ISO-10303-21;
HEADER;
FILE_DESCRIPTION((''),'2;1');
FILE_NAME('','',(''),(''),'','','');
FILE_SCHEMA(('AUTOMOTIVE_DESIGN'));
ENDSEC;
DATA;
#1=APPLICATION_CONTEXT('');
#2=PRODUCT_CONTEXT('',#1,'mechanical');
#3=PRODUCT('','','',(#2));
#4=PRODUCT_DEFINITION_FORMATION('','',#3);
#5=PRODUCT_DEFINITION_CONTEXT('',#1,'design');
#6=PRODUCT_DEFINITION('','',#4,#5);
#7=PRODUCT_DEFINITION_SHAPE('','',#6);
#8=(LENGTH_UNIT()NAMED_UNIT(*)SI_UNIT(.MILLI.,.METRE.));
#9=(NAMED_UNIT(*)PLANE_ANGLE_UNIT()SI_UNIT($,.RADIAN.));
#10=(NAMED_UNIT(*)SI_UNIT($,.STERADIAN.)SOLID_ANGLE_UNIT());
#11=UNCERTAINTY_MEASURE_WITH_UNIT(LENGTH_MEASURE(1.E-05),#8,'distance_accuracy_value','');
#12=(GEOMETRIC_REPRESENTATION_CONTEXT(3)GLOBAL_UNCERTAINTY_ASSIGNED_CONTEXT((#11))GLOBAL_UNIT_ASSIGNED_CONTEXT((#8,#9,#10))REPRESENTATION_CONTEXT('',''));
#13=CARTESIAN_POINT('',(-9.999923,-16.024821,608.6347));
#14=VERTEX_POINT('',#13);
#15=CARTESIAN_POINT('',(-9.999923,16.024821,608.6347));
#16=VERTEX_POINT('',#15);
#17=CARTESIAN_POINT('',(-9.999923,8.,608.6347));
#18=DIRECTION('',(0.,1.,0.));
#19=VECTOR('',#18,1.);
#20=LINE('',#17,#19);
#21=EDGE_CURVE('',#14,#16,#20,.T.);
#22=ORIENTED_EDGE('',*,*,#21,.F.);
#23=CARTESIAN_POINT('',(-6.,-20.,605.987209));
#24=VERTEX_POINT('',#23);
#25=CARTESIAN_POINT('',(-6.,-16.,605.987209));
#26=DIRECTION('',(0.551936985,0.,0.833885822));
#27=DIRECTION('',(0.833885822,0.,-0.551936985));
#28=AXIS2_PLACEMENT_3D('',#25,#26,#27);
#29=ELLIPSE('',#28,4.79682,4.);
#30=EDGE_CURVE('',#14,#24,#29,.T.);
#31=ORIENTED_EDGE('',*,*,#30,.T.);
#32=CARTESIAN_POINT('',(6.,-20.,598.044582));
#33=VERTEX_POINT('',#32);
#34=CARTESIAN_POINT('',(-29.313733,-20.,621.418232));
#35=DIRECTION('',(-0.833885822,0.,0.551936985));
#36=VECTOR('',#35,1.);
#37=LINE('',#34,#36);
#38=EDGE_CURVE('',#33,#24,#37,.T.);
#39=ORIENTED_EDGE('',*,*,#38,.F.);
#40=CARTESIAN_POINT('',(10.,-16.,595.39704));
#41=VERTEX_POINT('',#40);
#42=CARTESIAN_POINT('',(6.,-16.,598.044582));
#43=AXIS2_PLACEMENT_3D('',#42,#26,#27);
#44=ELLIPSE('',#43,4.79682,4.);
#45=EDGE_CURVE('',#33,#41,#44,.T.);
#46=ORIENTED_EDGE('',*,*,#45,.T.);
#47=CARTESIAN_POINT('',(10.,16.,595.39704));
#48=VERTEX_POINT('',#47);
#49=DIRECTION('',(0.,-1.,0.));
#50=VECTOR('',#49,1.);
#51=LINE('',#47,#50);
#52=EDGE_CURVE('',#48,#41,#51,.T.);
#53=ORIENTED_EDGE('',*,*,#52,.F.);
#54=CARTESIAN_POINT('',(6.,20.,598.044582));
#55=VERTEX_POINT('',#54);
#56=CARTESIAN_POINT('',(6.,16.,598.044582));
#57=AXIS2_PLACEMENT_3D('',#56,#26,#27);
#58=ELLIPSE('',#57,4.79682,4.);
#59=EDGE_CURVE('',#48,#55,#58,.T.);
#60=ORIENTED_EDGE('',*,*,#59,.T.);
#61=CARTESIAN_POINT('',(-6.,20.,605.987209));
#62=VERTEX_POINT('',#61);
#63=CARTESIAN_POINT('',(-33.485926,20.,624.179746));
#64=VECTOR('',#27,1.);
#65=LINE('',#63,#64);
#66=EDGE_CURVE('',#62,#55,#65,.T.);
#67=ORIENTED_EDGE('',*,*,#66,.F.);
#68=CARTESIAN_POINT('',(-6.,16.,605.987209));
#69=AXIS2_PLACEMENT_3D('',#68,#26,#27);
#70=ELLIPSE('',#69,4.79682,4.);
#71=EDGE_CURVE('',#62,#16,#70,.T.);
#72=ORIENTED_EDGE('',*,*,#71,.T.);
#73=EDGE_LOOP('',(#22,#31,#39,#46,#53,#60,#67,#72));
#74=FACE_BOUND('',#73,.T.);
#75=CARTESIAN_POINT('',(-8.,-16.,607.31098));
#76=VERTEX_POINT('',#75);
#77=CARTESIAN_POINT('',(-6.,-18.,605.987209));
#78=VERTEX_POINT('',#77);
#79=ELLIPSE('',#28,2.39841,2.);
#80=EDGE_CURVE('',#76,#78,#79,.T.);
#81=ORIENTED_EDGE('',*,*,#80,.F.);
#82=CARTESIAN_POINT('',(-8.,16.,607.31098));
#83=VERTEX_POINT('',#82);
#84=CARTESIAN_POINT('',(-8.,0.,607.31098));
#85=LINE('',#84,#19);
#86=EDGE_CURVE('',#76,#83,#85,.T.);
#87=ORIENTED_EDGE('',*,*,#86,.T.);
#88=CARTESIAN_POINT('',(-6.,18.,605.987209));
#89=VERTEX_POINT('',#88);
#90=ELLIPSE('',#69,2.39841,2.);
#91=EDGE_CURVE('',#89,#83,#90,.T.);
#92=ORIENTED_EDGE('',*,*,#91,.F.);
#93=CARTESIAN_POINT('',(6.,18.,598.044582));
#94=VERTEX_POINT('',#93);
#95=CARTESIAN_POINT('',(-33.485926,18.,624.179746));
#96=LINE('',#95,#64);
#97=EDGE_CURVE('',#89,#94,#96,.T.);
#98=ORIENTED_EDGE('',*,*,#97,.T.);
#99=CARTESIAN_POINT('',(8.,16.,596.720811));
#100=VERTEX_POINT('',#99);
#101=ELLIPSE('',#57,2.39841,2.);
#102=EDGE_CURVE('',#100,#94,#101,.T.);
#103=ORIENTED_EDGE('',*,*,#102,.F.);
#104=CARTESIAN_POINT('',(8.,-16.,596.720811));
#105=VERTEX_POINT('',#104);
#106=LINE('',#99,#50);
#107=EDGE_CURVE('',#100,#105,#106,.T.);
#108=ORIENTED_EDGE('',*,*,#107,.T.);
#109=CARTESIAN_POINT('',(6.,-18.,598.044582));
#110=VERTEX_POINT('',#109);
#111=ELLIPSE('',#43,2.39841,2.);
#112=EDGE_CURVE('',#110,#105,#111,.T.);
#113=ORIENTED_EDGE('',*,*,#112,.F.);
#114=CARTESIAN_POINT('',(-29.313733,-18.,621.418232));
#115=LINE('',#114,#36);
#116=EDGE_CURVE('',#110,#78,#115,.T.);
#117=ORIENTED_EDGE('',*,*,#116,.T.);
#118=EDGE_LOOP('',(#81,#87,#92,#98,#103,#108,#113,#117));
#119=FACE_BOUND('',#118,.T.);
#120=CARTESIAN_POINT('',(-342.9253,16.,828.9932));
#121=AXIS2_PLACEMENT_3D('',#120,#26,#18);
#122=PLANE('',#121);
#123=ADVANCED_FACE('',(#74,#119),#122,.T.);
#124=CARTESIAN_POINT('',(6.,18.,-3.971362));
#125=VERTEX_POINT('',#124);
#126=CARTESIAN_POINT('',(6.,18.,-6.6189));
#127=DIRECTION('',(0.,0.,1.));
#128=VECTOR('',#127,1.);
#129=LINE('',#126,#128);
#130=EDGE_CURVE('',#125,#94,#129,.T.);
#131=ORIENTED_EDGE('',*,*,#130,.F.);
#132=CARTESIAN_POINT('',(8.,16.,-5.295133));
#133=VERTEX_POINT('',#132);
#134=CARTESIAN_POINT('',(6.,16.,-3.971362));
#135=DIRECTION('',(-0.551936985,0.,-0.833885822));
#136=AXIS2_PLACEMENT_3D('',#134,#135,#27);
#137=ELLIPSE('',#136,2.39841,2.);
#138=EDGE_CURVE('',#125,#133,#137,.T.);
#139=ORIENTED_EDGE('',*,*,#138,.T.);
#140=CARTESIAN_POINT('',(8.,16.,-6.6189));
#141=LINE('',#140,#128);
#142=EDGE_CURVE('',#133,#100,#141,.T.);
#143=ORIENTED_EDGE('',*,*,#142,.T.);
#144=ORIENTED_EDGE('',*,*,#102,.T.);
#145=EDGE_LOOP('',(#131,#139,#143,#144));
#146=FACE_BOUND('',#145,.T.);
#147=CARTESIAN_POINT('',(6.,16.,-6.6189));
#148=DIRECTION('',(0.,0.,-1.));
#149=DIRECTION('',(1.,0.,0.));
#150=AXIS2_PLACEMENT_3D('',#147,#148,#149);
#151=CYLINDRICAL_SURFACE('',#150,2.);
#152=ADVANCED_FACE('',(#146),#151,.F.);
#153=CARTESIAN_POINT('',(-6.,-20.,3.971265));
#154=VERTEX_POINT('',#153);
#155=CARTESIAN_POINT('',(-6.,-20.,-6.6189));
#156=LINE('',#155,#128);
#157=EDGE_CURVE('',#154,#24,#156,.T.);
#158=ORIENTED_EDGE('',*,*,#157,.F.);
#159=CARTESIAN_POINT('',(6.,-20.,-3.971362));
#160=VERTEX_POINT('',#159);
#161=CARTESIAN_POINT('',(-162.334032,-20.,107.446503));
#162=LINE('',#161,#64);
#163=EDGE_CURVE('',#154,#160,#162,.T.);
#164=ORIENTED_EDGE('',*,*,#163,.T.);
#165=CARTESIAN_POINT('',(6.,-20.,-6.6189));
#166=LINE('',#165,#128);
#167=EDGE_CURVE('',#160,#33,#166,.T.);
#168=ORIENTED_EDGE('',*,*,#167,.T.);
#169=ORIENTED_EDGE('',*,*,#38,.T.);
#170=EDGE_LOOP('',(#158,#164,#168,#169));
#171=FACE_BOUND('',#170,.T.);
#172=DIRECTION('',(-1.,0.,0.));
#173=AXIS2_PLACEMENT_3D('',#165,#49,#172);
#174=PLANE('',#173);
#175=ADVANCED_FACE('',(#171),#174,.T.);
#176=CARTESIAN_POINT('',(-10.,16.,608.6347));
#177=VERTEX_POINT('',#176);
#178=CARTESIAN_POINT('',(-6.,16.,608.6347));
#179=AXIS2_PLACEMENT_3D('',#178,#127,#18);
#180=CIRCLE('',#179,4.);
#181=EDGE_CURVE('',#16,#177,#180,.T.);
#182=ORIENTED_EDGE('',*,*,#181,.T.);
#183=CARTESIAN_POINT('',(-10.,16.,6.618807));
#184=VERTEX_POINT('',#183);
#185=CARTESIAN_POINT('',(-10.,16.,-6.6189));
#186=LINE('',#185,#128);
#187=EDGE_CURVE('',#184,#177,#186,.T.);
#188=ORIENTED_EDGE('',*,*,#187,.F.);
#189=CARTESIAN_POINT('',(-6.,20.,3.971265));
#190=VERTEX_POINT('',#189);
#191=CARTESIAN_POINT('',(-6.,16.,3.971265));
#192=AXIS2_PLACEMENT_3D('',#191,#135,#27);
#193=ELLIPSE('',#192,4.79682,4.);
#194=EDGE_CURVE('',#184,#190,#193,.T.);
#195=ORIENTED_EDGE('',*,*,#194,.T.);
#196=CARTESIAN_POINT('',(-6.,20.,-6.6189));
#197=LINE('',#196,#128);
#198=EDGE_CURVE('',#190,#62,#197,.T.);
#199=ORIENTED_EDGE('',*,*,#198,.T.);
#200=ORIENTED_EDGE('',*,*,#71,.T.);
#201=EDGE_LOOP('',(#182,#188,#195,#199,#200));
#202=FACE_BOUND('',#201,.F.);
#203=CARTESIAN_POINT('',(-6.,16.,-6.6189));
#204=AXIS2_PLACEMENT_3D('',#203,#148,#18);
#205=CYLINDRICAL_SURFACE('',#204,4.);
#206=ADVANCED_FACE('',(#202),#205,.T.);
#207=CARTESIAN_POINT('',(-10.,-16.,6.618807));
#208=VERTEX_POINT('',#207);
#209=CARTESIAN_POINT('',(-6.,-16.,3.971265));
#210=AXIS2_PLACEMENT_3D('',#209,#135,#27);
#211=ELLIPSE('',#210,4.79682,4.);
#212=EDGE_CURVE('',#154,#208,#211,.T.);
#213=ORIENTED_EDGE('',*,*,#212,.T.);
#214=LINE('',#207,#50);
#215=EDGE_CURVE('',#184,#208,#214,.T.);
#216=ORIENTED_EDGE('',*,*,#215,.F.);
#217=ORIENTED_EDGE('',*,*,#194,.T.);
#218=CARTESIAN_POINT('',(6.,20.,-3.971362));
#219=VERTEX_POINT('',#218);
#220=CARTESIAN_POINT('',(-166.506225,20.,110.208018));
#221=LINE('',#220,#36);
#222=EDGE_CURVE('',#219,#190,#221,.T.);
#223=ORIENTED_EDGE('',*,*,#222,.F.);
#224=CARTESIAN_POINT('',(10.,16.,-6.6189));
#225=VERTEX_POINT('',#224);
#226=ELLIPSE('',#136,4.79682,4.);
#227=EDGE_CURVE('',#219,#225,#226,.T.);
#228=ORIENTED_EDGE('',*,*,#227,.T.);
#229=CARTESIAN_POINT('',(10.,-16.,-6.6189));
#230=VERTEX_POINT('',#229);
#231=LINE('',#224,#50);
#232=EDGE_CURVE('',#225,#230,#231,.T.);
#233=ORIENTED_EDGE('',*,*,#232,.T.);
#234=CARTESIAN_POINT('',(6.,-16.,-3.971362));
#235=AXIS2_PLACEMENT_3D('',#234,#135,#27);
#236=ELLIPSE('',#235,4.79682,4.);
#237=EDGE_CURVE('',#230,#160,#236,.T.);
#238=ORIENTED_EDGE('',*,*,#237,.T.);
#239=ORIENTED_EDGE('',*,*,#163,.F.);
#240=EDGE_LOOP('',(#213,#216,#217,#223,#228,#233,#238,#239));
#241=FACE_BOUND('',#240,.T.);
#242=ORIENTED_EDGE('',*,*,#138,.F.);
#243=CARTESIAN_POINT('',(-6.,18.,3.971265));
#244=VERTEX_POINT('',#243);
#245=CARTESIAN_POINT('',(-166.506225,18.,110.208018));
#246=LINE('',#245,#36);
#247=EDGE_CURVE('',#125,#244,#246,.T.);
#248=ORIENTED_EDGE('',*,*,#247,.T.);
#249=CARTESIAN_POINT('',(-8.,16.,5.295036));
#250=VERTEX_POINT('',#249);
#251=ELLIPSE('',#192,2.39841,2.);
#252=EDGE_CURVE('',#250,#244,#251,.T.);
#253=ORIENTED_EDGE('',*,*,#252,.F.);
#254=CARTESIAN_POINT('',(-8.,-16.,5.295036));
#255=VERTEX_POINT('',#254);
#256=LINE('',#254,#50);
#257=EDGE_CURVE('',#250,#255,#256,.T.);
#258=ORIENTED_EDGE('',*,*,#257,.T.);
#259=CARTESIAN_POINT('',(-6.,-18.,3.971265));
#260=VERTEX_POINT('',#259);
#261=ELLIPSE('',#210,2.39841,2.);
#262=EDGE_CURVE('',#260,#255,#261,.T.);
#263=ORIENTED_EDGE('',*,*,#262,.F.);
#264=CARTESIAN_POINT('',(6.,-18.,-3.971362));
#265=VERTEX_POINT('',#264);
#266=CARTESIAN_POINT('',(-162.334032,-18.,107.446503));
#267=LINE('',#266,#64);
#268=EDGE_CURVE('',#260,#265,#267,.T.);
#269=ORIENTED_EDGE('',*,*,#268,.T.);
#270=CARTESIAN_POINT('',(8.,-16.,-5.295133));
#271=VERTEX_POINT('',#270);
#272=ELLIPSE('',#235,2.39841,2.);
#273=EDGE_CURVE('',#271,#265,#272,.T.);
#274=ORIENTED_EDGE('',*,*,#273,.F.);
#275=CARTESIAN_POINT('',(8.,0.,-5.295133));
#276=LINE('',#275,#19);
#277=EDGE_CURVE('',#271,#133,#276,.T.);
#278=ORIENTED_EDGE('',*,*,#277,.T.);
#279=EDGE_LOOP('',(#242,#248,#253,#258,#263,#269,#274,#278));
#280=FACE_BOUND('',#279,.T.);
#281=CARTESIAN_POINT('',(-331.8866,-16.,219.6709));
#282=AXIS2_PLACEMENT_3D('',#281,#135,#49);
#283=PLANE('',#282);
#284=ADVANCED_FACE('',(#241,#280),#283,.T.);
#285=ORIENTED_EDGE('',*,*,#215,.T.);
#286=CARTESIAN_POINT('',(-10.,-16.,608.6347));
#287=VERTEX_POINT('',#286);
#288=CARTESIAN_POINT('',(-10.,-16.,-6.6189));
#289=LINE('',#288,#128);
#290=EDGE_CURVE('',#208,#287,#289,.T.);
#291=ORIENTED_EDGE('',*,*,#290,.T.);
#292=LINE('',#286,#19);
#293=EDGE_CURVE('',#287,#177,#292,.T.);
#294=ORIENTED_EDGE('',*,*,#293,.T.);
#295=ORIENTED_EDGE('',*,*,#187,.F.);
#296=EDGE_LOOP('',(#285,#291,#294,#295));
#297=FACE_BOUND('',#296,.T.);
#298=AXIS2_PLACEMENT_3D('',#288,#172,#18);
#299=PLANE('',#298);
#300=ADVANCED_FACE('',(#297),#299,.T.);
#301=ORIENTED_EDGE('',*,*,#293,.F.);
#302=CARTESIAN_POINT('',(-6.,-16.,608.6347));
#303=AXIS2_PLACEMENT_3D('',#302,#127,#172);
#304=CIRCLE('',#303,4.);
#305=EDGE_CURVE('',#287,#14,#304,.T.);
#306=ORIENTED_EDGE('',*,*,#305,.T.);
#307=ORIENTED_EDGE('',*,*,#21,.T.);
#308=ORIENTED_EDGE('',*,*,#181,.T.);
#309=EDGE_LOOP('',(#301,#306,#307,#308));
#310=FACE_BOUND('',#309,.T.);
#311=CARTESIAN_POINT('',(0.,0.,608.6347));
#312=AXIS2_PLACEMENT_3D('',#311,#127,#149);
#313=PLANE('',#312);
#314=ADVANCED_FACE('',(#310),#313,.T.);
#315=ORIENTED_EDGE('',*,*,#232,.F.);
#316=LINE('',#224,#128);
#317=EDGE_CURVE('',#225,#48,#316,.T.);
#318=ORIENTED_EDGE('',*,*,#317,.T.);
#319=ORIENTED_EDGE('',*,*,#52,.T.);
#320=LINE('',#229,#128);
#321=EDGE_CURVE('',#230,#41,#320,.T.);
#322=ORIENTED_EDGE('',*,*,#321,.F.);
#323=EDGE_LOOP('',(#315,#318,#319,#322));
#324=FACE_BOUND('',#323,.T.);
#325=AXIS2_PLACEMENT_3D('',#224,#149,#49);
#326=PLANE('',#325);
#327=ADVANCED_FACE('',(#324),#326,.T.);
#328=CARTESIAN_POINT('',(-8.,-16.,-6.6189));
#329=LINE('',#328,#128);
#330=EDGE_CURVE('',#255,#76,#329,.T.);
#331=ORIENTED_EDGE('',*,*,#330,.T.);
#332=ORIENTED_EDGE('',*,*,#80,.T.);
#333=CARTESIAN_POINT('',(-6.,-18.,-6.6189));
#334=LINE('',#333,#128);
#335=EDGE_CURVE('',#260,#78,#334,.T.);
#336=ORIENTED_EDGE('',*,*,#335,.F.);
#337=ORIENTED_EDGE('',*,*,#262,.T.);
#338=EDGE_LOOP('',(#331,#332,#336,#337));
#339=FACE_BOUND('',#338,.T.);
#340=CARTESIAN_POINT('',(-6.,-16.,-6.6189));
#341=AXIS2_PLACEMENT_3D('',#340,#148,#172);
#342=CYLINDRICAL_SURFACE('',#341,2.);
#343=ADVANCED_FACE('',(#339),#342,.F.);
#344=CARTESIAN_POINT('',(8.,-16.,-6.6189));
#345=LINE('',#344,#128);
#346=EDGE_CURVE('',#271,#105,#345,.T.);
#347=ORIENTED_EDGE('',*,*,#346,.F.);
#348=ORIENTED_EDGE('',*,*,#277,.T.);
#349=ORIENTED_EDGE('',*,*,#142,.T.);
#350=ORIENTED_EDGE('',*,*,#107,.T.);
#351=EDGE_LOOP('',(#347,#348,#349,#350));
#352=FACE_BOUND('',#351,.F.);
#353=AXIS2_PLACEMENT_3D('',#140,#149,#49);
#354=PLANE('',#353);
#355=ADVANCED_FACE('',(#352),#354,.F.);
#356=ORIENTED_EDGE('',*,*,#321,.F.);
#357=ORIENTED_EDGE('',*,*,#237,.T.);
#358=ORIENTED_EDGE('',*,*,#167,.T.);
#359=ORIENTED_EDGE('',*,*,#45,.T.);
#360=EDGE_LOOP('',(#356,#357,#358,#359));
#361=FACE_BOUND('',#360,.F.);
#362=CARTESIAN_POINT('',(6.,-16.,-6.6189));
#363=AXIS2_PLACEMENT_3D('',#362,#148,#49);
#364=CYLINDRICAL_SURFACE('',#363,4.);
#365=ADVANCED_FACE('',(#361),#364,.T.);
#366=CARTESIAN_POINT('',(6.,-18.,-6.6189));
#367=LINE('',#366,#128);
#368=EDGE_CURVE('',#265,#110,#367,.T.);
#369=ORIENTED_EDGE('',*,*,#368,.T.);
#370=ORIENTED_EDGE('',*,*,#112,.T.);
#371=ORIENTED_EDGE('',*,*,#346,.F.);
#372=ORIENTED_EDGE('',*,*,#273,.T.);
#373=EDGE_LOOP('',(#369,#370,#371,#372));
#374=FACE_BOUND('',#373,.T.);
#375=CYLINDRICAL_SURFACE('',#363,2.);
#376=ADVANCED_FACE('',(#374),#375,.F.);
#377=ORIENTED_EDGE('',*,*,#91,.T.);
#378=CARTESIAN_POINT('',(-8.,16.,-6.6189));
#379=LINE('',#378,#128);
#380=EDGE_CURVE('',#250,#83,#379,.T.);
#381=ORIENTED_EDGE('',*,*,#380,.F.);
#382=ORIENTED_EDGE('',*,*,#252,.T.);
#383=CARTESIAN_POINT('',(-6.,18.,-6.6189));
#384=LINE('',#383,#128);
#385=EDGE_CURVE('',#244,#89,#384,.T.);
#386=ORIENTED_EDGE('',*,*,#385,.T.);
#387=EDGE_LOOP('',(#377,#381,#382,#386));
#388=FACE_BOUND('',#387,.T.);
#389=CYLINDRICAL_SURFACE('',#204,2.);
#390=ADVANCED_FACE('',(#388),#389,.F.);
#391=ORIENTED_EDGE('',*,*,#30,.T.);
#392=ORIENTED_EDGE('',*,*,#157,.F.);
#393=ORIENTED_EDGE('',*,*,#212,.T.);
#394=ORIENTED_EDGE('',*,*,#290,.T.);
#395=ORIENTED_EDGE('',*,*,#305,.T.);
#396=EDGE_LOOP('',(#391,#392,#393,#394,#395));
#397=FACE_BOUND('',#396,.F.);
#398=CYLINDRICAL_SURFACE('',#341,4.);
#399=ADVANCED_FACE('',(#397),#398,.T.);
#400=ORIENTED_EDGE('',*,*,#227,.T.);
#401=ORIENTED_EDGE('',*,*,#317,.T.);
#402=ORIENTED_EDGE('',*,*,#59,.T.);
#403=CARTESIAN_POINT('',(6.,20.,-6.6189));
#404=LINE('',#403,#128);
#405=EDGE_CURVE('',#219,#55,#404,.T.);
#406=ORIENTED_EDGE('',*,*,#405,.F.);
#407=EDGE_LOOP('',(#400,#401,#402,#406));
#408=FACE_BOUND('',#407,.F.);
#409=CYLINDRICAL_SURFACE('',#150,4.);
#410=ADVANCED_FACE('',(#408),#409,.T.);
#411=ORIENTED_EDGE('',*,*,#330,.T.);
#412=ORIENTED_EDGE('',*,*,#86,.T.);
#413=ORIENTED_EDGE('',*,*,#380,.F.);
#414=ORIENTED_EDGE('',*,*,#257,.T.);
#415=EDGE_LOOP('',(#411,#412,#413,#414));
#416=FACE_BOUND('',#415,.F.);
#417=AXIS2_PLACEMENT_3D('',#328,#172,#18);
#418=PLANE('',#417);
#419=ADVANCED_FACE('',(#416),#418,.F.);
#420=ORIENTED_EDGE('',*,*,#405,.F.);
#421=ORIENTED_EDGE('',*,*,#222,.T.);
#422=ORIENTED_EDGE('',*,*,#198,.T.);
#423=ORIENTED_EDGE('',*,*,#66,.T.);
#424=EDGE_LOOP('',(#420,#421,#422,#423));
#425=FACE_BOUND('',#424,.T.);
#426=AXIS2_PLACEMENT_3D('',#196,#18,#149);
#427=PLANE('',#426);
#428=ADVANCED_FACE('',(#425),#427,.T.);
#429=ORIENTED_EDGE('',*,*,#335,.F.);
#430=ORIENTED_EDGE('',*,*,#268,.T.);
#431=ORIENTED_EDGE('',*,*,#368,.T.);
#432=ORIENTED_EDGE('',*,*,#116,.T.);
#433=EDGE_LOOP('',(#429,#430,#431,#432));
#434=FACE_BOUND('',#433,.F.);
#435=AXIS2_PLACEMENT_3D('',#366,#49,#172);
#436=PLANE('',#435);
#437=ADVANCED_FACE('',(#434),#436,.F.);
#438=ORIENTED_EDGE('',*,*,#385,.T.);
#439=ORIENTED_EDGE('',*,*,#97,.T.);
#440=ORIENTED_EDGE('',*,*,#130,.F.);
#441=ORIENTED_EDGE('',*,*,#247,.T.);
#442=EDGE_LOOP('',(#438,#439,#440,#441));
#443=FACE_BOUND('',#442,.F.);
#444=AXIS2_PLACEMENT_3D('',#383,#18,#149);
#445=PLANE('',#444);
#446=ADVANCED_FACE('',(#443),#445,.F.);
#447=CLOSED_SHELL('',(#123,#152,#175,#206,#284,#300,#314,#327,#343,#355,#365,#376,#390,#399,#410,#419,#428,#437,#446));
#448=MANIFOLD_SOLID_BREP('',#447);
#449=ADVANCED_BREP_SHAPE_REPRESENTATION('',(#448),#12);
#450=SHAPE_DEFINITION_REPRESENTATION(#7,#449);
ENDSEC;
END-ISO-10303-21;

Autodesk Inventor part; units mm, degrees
ref_plane "Start Plane" through (0, 0, -6.6189) normal (0, 0, 1) x (1, 0, 0)
ref_plane "End Plane" through (0, 0, 608.6348) normal (0, 0, 1) x (1, 0, 0)
sketch "Sketch" plane through (0, 0, 0) normal (0, 0, 1) x (1, 0, 0)
  line L0 (-10, -16) -> (-10, 16)
  line L1 (-6, 20) -> (6, 20)
  line L2 (10, 16) -> (10, -16)
  line L3 (6, -20) -> (-6, -20)
  arc A0 (-10, -16) -> (-6, -20) centre (-6, -16) ccw
  arc A1 (10, 16) -> (6, 20) centre (6, 16) ccw
  arc A2 (-6, 20) -> (-10, 16) centre (-6, 16) ccw
  arc A3 (6, -20) -> (10, -16) centre (6, -16) ccw
  arc A4 (-6, 18) -> (-8, 16) centre (-6, 16) ccw
  line L4 (-6, 18) -> (6, 18)
  arc A5 (8, 16) -> (6, 18) centre (6, 16) ccw
  line L5 (8, 16) -> (8, -16)
  arc A6 (6, -18) -> (8, -16) centre (6, -16) ccw
  line L6 (6, -18) -> (-6, -18)
  arc A7 (-8, -16) -> (-6, -18) centre (-6, -16) ccw
  line L7 (-8, -16) -> (-8, 16)
  line L8 (0, 29.1598) -> (0, -29.1598) construction
  line L9 (-15.1598, 0) -> (15.1598, 0) construction
  dimension "d7" = 4
  dimension "d9" = 20
  dimension "d11" = 40
  dimension "d12" = 2
  dimension "d15" = 10
  dimension "d16" = 20
extrude "Body" add sketch "Sketch" along normal up to surface (615.2536 mm away) from surface at -6.6189
sketch "Sketch3" plane through (0, 0, 0) normal (0, 0, 1) x (1, 0, 0)
  line L0 (0, 0) -> (10, 0)
ref_plane "Work Plane3" through (0, 0, 0) normal (0, -1, 0) x (1, 0, 0)
ref_plane "Work Plane4" through (-342.9253, 16, 828.9932) normal (0.5519, 0, 0.8339) x (0.8339, 0, -0.5519)
split "Split1" plane through (-342.9253, 16, 828.9932) removes the side toward (0.5519, 0, 0.8339)
ref_plane "Work Plane5" through (-331.8866, -16, 219.6709) normal (-0.5519, 0, -0.8339) x (-0.8339, 0, 0.5519)
split "Split2" plane through (-331.8866, -16, 219.6709) removes the side toward (-0.5519, 0, -0.8339)
sketch "Sketch4" plane through (0, 0, 0) normal (0, -1, 0) x (1, 0, 0)
  line L0 (-2, -6.6189) -> (12, -6.6189) projected
  line L1 (-2, 608.6348) -> (12, 608.6348) projected
  dimension "d18" = 615.2536
equation "\"d7\" = G_IR"
equation "\"d9\" = G_W"
equation "\"d11\" = G_H"
equation "\"d12\" = G_T"
equation "\"d15\" = 0.5 * d9"
equation "\"d16\" = 0.5 * d11"
equation "\"d3\" = G_L"
equation "\"G_W\" = 20"
equation "\"G_H\" = 40"
equation "\"G_T\" = 2"
equation "\"G_IR\" = 4"
equation "\"G_L\" = d18"
equation "\"G_OFFSET_START\" = 6.61886"
equation "\"G_OFFSET_END\" = -17.36524"
equation "\"d13\" = -G_OFFSET_START"
equation "\"d14\" = G_OFFSET_END + B_L"
equation "\"B_L\" = 626"
properties part number "ISO 4019 - 40x20x2 - 615,25" material "Steel, Mild"
